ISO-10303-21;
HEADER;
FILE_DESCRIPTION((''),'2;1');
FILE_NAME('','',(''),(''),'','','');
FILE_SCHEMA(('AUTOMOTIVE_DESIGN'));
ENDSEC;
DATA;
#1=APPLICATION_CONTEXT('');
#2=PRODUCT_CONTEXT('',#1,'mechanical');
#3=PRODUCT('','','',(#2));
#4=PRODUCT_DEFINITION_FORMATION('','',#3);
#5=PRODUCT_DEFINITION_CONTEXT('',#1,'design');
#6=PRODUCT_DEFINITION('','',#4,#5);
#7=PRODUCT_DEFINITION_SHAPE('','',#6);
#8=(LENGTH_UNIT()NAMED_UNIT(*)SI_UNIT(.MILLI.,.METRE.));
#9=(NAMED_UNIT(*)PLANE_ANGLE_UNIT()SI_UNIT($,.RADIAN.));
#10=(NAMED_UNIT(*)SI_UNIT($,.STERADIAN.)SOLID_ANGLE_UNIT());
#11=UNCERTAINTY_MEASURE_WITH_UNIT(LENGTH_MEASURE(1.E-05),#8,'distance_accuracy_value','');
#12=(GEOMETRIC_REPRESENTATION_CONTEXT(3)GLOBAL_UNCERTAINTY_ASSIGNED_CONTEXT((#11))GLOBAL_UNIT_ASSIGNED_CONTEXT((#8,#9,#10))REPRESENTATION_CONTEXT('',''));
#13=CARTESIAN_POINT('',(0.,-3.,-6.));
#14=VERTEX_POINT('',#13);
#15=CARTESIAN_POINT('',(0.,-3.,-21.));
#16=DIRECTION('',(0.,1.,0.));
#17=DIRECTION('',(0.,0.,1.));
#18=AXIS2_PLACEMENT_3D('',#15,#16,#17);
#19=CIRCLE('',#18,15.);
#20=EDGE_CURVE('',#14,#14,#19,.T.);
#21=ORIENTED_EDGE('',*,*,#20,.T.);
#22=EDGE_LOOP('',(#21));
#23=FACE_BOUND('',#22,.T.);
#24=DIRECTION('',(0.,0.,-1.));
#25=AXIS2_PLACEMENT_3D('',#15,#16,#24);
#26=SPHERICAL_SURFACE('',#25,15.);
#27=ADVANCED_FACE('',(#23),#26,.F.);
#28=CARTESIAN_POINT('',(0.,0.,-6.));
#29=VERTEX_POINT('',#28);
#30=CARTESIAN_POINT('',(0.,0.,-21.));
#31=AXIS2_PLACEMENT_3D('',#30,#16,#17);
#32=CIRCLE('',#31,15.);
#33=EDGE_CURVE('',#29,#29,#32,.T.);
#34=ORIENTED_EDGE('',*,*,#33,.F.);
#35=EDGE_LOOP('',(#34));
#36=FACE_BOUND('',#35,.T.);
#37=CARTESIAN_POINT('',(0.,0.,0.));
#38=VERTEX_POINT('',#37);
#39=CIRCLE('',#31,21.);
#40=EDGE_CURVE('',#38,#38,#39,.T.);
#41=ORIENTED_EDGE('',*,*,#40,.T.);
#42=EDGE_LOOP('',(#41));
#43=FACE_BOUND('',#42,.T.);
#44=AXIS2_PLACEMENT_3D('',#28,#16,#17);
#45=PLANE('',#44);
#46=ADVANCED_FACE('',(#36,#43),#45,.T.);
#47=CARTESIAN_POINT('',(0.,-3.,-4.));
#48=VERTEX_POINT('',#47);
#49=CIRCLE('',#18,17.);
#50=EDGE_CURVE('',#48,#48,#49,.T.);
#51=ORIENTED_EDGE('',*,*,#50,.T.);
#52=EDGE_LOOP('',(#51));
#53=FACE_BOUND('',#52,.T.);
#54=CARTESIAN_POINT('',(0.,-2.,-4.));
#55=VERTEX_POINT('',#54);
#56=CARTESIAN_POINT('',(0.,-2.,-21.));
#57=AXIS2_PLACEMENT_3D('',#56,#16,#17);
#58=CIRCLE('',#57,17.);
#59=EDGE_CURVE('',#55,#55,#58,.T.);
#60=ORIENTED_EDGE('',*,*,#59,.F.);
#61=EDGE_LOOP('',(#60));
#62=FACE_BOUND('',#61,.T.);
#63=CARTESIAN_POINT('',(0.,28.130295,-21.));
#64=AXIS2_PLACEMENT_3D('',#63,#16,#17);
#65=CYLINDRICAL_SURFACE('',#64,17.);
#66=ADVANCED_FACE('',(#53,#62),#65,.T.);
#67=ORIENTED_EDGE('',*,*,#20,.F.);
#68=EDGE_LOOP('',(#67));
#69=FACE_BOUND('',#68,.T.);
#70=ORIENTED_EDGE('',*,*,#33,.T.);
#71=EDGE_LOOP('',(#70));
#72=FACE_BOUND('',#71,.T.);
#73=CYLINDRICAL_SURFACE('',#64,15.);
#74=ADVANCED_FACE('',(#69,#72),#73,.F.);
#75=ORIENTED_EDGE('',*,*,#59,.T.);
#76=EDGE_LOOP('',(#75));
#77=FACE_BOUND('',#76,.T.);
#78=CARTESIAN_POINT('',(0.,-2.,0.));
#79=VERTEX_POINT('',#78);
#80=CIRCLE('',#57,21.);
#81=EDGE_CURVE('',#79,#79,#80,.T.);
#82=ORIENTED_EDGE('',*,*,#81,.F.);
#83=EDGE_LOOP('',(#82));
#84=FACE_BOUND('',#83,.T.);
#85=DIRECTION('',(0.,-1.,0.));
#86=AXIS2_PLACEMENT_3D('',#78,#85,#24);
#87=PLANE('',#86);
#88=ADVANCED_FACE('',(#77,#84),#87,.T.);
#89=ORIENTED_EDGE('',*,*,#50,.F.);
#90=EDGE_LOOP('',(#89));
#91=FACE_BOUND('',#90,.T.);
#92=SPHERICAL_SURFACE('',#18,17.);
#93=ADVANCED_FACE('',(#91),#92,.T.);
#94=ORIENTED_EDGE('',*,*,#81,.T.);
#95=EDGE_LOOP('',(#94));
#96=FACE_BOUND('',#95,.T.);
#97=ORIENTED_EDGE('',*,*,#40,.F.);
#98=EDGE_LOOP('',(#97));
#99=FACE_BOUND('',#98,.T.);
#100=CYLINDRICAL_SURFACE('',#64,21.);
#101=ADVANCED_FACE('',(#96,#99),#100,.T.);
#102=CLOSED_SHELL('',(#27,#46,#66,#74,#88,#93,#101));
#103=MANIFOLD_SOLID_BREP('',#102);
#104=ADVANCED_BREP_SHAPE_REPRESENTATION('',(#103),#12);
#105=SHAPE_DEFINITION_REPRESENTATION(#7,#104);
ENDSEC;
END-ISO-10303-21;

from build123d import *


with BuildPart() as part:
    # Sketch1 → Revolve1 (revolve)
    with BuildSketch(Plane(origin=(0, 0, 0), x_dir=(0, 0, -1), z_dir=(1, 0, 0))):
        with BuildLine():
            Line((0, 0), (0, -2))
            Line((0, -2), (4, -2))
            Line((4, -2), (4, -3))
            ThreePointArc((4, -3), (8.97918472, -15.02081528), (21, -20))
            Line((21, -20), (21, -18))
            ThreePointArc((21, -18), (10.393398282, -13.606601718), (6, -3))
            Line((6, -3), (6, 0))
            Line((6, 0), (0, 0))
        make_face()
    revolve(axis=Axis((0, 28.13029526, -21), (0, -1, 0)))


solid = part.part
